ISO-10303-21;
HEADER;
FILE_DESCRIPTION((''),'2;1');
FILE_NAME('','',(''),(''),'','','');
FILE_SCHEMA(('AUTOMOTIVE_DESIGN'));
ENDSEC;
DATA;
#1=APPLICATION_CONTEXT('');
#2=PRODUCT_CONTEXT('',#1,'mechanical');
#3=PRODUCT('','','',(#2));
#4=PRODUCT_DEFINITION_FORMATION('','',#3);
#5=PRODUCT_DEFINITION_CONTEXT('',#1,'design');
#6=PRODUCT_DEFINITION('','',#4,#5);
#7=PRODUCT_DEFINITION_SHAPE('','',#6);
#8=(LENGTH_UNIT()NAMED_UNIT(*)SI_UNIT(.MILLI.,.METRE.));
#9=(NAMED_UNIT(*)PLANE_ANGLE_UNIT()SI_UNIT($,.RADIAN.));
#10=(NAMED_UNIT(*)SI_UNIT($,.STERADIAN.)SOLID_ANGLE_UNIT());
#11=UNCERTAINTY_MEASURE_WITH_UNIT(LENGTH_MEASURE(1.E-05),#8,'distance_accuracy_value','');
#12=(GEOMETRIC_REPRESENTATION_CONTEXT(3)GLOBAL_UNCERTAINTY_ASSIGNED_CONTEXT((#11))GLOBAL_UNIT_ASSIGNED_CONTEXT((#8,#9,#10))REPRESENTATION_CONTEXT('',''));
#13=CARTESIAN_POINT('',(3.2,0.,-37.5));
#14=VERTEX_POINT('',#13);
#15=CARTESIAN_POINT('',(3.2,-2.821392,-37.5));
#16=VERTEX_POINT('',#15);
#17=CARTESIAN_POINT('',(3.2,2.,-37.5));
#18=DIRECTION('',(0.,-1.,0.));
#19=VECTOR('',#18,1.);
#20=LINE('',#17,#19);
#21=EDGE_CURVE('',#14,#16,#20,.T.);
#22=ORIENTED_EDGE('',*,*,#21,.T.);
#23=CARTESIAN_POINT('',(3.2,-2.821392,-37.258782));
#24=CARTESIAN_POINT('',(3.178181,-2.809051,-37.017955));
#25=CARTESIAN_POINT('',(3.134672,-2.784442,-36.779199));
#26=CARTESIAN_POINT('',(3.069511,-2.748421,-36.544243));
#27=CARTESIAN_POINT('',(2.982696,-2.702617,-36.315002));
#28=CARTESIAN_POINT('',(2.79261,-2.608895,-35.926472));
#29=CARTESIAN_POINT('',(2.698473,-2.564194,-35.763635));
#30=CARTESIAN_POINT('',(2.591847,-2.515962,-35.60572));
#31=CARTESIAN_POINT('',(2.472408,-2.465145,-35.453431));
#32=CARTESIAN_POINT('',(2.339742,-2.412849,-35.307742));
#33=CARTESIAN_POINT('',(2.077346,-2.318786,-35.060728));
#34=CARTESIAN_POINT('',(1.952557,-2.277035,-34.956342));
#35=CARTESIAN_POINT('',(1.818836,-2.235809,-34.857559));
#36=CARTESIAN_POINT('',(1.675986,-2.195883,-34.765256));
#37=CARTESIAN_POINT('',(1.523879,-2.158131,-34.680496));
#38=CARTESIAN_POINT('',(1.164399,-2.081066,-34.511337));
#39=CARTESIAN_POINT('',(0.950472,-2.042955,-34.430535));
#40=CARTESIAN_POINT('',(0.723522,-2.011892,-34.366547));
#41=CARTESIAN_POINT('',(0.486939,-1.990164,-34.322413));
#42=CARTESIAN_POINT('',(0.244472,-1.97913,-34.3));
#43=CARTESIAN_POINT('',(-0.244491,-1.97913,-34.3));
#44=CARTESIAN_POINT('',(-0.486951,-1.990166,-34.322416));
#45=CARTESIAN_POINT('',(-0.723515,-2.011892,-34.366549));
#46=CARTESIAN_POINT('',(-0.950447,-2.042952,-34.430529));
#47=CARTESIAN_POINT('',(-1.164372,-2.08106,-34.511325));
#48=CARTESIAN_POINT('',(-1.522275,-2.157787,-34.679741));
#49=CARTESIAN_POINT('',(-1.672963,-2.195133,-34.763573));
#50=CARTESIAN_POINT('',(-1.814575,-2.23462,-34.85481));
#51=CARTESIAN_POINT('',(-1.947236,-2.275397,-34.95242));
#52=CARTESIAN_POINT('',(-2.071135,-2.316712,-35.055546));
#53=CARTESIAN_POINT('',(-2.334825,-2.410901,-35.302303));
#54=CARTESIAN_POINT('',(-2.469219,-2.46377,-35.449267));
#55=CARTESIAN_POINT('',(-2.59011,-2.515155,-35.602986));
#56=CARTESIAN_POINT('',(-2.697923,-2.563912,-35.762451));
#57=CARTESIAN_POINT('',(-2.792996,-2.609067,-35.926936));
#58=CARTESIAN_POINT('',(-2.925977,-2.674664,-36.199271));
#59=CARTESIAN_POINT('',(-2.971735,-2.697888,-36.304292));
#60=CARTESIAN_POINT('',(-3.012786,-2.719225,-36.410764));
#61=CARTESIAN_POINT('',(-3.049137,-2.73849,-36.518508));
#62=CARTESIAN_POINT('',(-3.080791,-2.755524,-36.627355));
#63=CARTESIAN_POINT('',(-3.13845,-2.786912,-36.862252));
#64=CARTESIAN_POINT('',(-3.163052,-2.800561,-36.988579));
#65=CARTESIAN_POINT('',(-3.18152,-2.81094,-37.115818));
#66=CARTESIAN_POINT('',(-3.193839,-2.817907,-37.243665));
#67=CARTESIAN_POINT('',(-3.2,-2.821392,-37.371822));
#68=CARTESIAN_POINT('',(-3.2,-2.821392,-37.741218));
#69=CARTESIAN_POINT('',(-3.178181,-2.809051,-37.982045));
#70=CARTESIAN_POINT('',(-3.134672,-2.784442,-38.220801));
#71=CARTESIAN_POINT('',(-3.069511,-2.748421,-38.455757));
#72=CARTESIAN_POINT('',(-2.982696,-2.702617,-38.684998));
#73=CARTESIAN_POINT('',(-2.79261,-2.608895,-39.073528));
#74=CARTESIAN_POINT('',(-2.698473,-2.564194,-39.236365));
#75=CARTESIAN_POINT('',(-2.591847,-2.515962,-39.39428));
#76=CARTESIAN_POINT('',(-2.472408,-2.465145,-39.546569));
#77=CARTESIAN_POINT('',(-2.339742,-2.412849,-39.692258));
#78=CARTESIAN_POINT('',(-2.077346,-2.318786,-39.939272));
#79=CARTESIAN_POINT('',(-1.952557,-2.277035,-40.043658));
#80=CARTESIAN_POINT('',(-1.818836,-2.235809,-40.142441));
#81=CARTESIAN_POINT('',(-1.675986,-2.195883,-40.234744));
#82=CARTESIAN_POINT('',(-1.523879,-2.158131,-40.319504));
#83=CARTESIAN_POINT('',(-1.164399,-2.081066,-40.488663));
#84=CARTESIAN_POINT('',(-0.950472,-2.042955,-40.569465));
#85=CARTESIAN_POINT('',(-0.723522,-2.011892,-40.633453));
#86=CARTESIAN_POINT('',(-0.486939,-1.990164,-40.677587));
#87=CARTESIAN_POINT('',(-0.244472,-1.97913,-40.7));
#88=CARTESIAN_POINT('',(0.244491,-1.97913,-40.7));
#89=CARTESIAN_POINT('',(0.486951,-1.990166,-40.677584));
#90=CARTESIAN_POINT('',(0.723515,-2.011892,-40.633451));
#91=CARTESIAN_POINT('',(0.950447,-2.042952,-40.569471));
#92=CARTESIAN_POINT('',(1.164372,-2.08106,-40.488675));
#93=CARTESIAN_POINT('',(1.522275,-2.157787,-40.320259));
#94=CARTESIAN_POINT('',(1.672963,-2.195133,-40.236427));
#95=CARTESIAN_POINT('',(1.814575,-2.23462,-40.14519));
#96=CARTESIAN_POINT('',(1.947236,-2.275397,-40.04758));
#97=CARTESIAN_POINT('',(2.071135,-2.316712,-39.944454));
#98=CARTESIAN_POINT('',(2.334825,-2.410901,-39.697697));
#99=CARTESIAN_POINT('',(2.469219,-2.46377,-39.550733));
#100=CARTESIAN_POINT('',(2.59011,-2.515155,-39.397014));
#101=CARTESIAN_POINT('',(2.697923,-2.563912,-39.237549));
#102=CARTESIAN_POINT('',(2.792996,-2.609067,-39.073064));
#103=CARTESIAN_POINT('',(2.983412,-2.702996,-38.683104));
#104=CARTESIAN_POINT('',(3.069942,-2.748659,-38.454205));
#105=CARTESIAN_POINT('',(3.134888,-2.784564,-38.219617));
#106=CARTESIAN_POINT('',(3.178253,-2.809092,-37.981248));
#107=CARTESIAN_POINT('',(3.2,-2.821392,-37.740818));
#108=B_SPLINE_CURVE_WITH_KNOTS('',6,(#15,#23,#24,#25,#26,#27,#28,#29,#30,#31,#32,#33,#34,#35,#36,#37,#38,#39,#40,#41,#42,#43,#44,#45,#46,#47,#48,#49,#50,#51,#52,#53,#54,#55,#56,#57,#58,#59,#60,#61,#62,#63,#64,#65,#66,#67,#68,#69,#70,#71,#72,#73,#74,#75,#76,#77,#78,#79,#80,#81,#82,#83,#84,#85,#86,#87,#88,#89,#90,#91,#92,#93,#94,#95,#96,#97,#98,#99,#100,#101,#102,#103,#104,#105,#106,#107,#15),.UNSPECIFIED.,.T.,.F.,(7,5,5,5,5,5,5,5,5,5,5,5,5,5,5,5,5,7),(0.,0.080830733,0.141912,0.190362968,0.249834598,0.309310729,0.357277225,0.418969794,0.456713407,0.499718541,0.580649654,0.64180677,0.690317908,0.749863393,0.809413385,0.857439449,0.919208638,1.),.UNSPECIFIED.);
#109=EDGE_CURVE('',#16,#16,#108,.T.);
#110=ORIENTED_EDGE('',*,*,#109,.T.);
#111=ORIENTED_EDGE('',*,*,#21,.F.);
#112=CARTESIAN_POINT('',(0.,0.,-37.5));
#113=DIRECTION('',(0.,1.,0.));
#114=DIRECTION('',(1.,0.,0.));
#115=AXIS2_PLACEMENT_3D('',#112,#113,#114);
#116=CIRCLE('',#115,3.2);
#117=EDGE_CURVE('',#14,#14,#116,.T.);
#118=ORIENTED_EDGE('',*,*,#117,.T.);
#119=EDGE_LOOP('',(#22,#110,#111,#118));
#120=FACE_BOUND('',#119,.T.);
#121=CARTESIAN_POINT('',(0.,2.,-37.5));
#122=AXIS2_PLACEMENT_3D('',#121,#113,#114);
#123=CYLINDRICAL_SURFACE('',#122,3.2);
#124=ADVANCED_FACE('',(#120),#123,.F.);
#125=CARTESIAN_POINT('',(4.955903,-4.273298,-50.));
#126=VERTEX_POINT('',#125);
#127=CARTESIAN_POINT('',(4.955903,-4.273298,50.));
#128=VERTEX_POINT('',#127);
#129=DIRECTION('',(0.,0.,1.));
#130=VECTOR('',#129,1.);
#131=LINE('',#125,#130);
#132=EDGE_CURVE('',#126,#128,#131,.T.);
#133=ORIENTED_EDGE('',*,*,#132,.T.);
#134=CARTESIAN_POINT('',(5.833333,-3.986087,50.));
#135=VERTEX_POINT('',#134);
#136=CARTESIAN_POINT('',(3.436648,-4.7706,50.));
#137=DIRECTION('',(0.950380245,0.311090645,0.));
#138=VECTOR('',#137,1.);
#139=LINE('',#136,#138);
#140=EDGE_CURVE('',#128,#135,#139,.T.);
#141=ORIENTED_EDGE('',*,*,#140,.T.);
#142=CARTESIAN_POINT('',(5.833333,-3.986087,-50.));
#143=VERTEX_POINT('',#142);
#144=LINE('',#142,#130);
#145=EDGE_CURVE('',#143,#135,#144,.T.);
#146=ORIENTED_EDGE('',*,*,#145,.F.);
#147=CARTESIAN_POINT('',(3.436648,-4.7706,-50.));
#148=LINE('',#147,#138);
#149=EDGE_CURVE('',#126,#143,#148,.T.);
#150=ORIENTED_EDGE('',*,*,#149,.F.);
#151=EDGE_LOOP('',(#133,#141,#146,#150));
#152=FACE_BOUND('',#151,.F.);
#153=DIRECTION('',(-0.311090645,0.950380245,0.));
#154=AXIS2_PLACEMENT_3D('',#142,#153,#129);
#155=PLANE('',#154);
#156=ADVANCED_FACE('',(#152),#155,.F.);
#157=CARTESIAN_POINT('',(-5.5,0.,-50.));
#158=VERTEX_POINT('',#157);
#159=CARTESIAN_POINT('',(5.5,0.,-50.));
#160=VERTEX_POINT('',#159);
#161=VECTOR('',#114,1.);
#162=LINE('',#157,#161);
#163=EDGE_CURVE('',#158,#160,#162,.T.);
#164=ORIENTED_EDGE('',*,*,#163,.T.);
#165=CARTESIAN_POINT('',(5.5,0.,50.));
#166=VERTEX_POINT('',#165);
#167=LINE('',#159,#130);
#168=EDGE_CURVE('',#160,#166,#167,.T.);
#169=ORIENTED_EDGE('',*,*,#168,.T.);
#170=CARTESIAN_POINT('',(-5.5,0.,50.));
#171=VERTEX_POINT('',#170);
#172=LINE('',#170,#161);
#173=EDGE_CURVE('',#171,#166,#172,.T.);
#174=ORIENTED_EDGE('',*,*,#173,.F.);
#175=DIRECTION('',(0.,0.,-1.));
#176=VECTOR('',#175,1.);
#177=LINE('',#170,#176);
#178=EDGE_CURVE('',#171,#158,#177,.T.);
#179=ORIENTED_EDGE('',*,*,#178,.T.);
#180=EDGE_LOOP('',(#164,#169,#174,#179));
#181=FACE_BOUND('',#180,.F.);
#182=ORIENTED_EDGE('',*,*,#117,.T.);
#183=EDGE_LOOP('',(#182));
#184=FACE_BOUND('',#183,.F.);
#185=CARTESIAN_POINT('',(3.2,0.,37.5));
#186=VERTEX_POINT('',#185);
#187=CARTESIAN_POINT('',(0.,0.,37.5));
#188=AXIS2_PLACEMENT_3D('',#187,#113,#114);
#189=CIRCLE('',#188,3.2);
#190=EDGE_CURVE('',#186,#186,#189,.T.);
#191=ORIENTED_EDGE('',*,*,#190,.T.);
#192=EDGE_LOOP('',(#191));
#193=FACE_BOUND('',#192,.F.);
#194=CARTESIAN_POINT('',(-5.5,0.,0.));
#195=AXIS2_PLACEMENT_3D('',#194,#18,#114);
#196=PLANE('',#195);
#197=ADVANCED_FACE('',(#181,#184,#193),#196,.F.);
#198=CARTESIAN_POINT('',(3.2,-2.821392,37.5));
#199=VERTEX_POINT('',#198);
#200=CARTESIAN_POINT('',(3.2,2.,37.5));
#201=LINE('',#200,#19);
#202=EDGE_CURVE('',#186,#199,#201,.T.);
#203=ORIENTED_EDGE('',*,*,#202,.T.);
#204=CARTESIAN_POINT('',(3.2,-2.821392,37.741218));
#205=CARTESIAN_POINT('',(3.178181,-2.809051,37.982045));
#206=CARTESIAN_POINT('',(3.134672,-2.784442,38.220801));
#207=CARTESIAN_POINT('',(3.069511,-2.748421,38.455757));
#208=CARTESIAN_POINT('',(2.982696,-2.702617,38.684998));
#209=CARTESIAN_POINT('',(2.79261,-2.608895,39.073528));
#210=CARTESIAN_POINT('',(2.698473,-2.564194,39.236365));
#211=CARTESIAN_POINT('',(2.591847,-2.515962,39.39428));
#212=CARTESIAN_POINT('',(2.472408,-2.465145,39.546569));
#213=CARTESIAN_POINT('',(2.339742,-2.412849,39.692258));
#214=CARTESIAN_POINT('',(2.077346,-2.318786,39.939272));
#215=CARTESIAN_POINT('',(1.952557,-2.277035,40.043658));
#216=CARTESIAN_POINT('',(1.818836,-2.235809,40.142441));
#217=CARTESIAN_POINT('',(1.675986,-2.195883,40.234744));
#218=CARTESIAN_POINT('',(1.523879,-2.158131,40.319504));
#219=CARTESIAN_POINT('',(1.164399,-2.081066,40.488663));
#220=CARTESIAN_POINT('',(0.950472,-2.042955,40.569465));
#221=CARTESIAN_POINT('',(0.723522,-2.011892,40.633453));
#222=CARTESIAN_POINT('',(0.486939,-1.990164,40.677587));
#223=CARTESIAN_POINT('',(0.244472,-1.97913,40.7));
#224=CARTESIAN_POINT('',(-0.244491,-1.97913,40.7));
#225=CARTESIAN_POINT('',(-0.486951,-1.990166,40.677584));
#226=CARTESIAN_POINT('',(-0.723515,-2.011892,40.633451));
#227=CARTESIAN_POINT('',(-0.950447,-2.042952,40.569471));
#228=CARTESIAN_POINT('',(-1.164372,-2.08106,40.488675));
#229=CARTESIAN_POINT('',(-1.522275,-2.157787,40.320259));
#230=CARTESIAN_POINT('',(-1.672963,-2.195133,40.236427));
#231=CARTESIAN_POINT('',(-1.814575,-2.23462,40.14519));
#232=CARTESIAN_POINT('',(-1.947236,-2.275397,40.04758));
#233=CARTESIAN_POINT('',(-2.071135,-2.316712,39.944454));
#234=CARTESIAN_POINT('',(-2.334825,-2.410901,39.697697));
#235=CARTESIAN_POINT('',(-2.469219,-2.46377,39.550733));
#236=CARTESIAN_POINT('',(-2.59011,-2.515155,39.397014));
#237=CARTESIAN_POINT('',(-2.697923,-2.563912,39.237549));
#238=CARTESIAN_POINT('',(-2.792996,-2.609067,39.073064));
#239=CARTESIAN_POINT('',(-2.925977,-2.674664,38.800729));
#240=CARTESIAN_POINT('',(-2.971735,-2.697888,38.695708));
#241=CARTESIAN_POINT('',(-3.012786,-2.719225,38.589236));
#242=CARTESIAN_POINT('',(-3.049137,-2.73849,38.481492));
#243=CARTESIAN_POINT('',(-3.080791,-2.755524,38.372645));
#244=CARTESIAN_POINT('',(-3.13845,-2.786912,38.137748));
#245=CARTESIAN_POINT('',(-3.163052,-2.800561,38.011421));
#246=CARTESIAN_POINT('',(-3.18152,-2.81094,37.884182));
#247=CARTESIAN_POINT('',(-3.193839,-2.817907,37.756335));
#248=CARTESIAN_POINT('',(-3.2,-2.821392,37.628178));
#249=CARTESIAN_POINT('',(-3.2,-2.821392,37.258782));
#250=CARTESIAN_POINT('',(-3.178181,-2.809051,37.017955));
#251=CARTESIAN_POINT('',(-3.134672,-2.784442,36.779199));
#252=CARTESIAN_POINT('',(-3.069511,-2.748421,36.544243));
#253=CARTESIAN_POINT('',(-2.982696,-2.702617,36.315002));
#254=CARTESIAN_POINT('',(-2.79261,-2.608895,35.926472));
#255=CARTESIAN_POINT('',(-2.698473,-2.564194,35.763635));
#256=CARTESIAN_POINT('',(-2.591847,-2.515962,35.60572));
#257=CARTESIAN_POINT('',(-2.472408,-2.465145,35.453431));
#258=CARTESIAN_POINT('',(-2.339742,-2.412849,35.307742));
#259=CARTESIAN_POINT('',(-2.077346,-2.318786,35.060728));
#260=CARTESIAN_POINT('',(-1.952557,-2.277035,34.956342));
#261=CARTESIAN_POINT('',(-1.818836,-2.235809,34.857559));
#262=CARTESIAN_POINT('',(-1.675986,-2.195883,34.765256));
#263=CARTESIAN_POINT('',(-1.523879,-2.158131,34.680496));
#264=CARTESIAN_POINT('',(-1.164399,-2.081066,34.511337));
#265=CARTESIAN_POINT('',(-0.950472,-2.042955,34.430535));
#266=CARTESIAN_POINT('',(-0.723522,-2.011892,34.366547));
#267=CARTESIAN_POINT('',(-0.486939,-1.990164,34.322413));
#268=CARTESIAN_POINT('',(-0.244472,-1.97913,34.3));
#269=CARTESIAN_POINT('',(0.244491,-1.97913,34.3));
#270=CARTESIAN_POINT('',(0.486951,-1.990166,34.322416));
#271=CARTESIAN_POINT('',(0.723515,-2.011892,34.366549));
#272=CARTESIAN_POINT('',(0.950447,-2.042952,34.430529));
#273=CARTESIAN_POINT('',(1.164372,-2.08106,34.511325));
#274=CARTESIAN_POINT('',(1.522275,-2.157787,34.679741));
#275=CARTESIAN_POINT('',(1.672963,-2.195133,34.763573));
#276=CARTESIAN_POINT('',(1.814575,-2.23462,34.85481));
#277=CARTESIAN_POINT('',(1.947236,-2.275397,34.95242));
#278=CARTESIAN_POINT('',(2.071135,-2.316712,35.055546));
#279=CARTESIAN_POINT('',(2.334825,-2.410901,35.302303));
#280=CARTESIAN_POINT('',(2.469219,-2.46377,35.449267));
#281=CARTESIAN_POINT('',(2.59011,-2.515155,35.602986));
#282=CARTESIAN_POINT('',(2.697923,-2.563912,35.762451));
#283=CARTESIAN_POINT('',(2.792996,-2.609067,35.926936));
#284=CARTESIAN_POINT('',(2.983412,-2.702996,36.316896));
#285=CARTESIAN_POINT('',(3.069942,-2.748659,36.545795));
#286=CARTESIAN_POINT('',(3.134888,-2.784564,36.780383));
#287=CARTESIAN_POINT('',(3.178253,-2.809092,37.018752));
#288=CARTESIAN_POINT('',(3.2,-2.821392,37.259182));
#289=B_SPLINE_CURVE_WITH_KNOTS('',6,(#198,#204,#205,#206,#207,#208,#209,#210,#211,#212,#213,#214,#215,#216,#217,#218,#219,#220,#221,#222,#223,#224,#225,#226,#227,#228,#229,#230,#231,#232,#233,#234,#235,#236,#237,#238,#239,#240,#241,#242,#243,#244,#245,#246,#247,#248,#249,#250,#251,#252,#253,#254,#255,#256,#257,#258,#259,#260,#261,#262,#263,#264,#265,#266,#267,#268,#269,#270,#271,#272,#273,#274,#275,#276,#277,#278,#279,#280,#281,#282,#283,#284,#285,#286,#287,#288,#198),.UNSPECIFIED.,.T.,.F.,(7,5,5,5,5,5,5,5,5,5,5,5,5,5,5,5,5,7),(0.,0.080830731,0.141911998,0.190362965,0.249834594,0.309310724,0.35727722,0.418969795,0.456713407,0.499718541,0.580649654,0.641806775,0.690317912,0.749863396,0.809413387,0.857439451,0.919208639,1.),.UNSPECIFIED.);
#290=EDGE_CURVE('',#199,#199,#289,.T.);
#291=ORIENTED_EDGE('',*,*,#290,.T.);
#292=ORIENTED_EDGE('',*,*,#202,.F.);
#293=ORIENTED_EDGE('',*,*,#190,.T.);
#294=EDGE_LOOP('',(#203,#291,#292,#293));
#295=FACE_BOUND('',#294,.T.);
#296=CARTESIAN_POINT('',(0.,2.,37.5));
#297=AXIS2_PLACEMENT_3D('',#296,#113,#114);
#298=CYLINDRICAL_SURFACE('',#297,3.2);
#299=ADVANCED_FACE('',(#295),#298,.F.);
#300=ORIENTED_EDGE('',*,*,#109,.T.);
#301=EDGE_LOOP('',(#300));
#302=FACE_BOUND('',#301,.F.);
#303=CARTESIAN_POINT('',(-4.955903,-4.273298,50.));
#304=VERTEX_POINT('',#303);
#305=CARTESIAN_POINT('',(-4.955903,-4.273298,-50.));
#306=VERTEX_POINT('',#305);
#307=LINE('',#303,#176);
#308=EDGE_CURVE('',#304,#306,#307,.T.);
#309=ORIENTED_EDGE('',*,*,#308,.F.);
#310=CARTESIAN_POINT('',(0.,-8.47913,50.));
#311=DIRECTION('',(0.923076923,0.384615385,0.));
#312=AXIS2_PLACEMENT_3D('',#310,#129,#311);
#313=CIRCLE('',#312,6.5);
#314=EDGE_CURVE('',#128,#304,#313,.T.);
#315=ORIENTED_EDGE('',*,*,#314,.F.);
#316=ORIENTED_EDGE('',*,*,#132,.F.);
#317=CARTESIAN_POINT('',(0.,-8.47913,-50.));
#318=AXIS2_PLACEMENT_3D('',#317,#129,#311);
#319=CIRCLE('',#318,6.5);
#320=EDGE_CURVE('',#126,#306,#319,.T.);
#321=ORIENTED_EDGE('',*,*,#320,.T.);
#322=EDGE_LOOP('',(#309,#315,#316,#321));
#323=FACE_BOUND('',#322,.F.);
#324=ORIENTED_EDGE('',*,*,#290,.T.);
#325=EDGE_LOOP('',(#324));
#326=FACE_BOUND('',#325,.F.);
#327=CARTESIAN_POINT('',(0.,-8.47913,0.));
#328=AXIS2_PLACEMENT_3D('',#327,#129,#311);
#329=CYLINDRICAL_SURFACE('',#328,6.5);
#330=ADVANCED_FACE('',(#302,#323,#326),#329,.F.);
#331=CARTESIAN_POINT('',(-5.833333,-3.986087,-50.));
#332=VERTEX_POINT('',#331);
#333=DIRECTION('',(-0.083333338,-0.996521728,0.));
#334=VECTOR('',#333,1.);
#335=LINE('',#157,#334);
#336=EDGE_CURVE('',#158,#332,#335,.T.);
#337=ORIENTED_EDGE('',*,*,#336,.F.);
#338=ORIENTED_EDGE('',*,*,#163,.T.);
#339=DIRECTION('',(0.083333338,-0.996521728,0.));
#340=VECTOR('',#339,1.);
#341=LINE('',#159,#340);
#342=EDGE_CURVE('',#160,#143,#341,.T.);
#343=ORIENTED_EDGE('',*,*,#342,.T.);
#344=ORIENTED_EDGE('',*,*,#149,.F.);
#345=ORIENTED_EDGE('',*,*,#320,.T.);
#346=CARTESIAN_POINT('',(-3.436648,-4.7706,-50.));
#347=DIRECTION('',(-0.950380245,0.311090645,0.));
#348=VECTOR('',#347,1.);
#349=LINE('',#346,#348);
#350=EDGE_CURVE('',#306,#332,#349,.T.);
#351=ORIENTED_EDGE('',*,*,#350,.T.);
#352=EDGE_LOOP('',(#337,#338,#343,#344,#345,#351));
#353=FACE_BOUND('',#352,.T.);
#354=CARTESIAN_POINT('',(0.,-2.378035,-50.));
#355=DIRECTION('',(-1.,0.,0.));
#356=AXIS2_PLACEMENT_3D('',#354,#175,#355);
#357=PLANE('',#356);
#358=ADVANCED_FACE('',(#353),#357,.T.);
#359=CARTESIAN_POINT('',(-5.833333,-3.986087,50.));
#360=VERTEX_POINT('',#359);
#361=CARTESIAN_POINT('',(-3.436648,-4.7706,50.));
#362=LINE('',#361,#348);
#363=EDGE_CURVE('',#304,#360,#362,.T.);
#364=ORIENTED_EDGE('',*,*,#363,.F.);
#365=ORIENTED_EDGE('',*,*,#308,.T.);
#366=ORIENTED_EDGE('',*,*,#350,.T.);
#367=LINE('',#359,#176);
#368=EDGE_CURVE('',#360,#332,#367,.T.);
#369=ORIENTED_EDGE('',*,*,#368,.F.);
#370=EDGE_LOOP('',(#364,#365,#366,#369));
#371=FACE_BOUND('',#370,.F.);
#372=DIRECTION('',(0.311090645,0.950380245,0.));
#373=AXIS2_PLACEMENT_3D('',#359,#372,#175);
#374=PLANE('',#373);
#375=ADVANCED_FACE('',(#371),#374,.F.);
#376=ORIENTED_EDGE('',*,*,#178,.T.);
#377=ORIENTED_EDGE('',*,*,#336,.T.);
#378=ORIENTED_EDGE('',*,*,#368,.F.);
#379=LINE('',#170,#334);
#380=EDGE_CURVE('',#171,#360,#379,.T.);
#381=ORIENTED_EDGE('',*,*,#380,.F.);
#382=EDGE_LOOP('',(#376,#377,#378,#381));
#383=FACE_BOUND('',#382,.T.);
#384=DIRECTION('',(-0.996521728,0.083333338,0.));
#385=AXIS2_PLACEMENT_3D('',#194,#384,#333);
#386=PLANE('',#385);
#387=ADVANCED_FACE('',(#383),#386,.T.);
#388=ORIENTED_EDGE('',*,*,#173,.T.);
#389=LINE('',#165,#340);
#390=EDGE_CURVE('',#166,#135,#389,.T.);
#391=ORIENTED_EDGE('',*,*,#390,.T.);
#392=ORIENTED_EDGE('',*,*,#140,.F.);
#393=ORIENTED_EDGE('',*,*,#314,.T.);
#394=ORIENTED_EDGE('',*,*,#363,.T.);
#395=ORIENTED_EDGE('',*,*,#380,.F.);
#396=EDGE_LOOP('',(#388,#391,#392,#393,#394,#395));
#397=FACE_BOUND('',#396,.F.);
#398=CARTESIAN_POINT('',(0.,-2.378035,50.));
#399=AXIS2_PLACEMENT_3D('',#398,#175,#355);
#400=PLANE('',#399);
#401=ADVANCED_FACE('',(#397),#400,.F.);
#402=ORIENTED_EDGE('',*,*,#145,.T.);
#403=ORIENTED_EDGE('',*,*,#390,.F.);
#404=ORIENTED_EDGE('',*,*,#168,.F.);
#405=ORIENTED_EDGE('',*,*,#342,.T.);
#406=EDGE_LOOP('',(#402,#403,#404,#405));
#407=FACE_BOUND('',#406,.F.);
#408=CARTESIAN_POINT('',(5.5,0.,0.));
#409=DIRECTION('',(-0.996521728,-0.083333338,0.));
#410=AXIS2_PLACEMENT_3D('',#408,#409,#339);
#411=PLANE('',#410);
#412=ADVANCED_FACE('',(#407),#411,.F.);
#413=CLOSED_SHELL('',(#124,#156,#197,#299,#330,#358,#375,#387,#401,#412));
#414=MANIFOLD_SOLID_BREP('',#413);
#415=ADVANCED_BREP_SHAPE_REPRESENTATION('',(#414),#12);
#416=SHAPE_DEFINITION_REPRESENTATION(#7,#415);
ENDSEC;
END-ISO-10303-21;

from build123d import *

# Parameters (mm, degrees)
CYLINDER001_R          = 3.2
CYLINDER001_DEPTH      = 10
CYLINDER001_ROLL_ANGLE = 90
CYLINDER_R             = 3.2
CYLINDER_DEPTH         = 10
CYLINDER_ROLL_ANGLE    = 90
PAD_DEPTH              = 50
CHAMFER_SIZE           = 2


with BuildPart() as cylinder001:
    # Cylinder001 → Cylinder001 (new body)
    with BuildSketch(Plane.XY):
        Circle(CYLINDER001_R)
    extrude(amount=CYLINDER001_DEPTH)


with BuildPart() as cylinder001_1:
    # Cylinder001 roll: moved
    add(cylinder001.part.rotate(Axis((0, 0, 0), (1, 0, 0)), CYLINDER001_ROLL_ANGLE))


with BuildPart() as cylinder001_2:
    # Cylinder001 placement: moved
    add(cylinder001_1.part.moved(Location((0, 2, -37.5))))


with BuildPart() as cylinder:
    # Cylinder → Cylinder (new body)
    with BuildSketch(Plane.XY):
        Circle(CYLINDER_R)
    extrude(amount=CYLINDER_DEPTH)


with BuildPart() as cylinder_1:
    # Cylinder roll: moved
    add(cylinder.part.rotate(Axis((0, 0, 0), (1, 0, 0)), CYLINDER_ROLL_ANGLE))


with BuildPart() as cylinder_2:
    # Cylinder placement: moved
    add(cylinder_1.part.moved(Location((0, 2, 37.5))))


with BuildPart() as chamfer_body:
    # Sketch001 → Pad (new body, symmetric)
    with BuildSketch(Plane.XY):
        with BuildLine():
            ThreePointArc((6, -5.97913), (0, -1.97913), (-6, -5.97913))
            Line((-5.5, 0), (-6, -5.97913))
            Line((-5.5, 0), (5.5, 0))
            Line((5.5, 0), (6, -5.97913))
        make_face()
    extrude(amount=PAD_DEPTH, both=True)

    # Cut: cut Cylinder
    add(cylinder_2.part, mode=Mode.SUBTRACT)

    # Cut002: cut Cylinder001
    add(cylinder001_2.part, mode=Mode.SUBTRACT)

    # Chamfer
    chamfer_edges = [chamfer_body.edges().sort_by_distance(p)[0] for p in [
        (6, -5.97913, 0),
        (-6, -5.97913, 0),
    ]]
    chamfer(chamfer_edges, length=CHAMFER_SIZE)


solid = chamfer_body.part
